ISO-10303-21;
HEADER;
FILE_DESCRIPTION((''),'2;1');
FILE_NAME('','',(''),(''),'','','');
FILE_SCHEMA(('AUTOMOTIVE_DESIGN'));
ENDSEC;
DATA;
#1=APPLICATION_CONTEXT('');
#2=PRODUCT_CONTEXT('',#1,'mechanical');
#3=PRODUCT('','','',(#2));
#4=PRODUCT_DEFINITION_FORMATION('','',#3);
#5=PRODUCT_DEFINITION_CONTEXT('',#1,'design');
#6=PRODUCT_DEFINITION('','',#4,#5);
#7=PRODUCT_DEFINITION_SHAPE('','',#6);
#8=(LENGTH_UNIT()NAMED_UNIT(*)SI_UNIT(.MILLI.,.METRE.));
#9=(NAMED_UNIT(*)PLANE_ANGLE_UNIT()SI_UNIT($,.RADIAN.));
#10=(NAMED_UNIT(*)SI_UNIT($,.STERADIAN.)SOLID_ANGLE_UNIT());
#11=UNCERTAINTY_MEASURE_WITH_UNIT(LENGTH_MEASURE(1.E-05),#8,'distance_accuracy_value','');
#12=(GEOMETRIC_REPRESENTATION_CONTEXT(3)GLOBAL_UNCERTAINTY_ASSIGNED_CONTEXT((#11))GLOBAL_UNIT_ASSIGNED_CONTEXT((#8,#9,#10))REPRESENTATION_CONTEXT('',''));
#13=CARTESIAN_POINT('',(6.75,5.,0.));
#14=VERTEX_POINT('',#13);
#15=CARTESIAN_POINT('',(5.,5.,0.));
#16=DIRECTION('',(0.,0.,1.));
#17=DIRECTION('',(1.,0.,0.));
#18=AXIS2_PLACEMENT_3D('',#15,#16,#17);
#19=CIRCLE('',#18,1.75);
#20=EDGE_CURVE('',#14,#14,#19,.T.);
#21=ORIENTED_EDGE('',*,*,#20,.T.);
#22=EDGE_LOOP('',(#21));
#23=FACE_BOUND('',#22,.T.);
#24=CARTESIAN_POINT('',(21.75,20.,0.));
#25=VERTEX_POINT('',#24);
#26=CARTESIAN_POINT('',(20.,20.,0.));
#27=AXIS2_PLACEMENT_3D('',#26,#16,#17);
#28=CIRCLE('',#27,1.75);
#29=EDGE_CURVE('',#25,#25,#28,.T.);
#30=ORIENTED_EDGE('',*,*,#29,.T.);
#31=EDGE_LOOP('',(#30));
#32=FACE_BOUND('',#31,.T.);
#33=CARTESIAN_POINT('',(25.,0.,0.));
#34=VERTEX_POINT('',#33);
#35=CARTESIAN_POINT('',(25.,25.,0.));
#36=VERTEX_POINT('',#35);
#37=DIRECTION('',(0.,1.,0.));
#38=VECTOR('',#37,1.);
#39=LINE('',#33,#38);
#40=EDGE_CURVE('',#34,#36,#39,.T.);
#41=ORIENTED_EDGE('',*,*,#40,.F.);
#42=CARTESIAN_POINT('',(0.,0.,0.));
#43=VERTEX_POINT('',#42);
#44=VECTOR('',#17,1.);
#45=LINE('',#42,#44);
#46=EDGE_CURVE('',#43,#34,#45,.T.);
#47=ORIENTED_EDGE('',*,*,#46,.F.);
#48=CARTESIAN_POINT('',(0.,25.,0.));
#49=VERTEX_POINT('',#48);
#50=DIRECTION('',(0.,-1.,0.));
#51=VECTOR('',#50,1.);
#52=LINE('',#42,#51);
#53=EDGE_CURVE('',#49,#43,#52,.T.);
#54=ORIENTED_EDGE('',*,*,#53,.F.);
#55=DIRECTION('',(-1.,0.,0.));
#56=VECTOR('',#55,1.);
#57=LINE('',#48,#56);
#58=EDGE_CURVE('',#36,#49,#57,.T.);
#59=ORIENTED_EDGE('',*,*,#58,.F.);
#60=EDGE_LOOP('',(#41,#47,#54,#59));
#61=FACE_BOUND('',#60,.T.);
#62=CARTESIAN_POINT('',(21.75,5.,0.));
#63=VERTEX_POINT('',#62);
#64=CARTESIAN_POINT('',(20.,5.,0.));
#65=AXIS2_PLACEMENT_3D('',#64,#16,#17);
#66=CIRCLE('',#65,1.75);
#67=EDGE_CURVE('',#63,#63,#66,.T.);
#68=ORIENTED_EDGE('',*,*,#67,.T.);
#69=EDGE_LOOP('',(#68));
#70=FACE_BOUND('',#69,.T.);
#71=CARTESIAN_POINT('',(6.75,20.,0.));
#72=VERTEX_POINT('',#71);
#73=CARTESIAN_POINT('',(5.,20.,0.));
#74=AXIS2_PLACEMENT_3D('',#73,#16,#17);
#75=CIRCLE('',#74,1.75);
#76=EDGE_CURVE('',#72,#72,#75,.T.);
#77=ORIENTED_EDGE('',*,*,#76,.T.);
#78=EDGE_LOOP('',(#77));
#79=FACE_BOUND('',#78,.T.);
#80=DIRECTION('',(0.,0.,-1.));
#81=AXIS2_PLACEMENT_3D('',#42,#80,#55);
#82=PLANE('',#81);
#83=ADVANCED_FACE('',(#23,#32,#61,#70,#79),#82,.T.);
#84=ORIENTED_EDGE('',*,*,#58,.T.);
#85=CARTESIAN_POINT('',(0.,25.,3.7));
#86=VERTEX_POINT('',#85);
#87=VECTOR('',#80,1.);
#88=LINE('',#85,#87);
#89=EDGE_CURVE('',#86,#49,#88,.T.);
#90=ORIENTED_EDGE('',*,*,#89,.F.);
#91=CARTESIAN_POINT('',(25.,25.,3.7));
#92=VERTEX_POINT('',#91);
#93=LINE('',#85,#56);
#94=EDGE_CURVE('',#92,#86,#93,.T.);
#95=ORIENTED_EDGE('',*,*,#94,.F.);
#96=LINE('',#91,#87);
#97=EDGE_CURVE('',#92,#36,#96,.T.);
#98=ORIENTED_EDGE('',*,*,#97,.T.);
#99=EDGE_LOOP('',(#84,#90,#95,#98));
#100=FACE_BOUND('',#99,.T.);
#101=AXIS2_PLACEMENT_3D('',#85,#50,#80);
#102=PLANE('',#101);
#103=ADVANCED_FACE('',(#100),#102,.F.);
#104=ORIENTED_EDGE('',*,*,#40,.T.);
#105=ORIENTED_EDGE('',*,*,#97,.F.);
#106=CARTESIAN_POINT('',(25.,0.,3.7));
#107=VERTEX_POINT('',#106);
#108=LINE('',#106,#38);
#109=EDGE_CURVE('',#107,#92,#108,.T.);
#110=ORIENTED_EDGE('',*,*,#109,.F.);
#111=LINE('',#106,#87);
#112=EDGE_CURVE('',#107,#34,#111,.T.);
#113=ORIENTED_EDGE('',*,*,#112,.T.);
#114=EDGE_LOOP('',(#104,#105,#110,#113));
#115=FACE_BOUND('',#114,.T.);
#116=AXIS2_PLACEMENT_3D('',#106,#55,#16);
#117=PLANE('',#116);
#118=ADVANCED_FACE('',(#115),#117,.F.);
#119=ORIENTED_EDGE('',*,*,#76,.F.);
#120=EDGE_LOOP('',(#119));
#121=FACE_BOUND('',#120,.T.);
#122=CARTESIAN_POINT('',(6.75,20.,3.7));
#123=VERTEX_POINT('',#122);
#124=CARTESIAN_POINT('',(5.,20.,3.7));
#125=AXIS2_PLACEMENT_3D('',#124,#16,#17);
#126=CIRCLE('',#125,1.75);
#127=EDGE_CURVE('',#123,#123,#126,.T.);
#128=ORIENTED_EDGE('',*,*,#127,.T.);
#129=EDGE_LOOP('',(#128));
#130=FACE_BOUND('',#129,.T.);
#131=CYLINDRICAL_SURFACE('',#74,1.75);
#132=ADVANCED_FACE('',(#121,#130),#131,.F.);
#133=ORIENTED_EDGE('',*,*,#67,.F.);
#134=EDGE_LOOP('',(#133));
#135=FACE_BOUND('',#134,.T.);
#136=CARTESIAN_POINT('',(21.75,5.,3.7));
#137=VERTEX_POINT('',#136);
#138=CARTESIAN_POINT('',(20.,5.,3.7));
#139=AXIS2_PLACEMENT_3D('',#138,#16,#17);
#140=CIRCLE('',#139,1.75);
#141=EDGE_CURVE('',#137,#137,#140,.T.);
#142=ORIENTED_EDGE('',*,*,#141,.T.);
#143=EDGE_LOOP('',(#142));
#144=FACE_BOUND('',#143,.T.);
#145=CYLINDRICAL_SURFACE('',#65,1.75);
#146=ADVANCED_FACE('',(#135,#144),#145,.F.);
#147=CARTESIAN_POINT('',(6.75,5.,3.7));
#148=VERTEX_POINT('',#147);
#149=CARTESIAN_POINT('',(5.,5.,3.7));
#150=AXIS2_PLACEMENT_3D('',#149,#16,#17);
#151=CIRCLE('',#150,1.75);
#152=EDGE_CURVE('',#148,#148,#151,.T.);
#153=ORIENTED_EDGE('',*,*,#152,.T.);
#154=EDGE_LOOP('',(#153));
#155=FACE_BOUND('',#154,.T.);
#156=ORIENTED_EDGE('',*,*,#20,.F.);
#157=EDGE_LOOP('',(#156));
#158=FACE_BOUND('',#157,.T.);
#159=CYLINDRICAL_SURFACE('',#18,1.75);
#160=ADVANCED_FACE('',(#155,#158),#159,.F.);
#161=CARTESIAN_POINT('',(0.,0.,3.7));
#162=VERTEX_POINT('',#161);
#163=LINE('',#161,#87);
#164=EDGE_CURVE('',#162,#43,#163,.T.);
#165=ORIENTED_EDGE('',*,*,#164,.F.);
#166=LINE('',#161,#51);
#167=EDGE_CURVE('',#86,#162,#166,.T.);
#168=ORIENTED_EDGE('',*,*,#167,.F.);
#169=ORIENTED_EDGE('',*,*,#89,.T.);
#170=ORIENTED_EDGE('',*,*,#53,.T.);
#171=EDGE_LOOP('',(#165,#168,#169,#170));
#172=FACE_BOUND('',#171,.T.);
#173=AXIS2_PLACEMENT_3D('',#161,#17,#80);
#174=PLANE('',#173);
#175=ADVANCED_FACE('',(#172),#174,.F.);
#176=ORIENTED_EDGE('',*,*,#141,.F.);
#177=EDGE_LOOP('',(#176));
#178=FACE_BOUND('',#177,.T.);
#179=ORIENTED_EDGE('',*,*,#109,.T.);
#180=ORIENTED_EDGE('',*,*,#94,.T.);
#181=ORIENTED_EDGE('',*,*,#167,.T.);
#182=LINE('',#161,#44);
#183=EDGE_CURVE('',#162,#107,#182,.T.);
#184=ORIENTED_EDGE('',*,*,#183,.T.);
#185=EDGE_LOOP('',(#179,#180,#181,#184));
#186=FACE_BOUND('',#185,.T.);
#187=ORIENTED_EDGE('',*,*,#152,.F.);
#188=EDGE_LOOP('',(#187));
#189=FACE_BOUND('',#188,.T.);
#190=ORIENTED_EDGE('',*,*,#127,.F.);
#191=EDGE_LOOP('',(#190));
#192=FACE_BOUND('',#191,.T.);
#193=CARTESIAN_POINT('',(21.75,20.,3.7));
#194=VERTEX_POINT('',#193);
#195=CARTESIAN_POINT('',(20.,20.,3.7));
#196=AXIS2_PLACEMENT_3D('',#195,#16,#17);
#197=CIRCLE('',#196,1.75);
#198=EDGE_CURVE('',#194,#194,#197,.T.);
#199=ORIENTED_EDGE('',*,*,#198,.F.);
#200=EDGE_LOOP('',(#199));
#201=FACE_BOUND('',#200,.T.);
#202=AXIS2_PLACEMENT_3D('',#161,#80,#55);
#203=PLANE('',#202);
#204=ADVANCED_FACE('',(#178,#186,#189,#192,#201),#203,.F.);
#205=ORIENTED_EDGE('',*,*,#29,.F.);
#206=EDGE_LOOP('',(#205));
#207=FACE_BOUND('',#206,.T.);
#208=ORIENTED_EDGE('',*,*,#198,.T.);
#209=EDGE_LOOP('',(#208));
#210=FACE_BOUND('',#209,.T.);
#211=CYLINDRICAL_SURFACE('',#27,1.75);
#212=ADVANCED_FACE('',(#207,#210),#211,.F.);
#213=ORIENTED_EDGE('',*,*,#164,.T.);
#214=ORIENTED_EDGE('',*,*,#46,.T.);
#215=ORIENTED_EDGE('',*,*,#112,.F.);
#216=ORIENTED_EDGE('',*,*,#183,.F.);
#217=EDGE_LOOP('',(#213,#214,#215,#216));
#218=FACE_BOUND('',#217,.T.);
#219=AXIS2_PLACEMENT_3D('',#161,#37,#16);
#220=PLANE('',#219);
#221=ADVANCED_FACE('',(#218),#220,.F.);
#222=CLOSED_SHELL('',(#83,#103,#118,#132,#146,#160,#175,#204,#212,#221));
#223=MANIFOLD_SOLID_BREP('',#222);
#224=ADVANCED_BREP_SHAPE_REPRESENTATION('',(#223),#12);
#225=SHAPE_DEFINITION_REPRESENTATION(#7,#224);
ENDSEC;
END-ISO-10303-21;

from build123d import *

# Parameters (mm, degrees)
SKETCH_1_W          = 25
SKETCH_1_H          = 25
EXTRUDE_1_DEPTH     = 3.7
SKETCH_2_R          = 1.75
CUT_EXTRUDE_1_DEPTH = 3.7


with BuildPart() as part:
    # 草图1 → 凸台-拉伸1 (new body)
    with BuildSketch(Plane.XY):
        with Locations((12.5, 12.5)):
            Rectangle(SKETCH_1_W, SKETCH_1_H)
    extrude(amount=EXTRUDE_1_DEPTH)

    # 草图2 → 切除-拉伸1 (cut)
    with BuildSketch(Plane.XY.offset(3.7)):
        with Locations((5, 20)):
            Circle(SKETCH_2_R)
        with Locations((20, 20)):
            Circle(SKETCH_2_R)
        with Locations((20, 5)):
            Circle(SKETCH_2_R)
        with Locations((5, 5)):
            Circle(SKETCH_2_R)
    extrude(amount=-CUT_EXTRUDE_1_DEPTH, mode=Mode.SUBTRACT)


solid = part.part
